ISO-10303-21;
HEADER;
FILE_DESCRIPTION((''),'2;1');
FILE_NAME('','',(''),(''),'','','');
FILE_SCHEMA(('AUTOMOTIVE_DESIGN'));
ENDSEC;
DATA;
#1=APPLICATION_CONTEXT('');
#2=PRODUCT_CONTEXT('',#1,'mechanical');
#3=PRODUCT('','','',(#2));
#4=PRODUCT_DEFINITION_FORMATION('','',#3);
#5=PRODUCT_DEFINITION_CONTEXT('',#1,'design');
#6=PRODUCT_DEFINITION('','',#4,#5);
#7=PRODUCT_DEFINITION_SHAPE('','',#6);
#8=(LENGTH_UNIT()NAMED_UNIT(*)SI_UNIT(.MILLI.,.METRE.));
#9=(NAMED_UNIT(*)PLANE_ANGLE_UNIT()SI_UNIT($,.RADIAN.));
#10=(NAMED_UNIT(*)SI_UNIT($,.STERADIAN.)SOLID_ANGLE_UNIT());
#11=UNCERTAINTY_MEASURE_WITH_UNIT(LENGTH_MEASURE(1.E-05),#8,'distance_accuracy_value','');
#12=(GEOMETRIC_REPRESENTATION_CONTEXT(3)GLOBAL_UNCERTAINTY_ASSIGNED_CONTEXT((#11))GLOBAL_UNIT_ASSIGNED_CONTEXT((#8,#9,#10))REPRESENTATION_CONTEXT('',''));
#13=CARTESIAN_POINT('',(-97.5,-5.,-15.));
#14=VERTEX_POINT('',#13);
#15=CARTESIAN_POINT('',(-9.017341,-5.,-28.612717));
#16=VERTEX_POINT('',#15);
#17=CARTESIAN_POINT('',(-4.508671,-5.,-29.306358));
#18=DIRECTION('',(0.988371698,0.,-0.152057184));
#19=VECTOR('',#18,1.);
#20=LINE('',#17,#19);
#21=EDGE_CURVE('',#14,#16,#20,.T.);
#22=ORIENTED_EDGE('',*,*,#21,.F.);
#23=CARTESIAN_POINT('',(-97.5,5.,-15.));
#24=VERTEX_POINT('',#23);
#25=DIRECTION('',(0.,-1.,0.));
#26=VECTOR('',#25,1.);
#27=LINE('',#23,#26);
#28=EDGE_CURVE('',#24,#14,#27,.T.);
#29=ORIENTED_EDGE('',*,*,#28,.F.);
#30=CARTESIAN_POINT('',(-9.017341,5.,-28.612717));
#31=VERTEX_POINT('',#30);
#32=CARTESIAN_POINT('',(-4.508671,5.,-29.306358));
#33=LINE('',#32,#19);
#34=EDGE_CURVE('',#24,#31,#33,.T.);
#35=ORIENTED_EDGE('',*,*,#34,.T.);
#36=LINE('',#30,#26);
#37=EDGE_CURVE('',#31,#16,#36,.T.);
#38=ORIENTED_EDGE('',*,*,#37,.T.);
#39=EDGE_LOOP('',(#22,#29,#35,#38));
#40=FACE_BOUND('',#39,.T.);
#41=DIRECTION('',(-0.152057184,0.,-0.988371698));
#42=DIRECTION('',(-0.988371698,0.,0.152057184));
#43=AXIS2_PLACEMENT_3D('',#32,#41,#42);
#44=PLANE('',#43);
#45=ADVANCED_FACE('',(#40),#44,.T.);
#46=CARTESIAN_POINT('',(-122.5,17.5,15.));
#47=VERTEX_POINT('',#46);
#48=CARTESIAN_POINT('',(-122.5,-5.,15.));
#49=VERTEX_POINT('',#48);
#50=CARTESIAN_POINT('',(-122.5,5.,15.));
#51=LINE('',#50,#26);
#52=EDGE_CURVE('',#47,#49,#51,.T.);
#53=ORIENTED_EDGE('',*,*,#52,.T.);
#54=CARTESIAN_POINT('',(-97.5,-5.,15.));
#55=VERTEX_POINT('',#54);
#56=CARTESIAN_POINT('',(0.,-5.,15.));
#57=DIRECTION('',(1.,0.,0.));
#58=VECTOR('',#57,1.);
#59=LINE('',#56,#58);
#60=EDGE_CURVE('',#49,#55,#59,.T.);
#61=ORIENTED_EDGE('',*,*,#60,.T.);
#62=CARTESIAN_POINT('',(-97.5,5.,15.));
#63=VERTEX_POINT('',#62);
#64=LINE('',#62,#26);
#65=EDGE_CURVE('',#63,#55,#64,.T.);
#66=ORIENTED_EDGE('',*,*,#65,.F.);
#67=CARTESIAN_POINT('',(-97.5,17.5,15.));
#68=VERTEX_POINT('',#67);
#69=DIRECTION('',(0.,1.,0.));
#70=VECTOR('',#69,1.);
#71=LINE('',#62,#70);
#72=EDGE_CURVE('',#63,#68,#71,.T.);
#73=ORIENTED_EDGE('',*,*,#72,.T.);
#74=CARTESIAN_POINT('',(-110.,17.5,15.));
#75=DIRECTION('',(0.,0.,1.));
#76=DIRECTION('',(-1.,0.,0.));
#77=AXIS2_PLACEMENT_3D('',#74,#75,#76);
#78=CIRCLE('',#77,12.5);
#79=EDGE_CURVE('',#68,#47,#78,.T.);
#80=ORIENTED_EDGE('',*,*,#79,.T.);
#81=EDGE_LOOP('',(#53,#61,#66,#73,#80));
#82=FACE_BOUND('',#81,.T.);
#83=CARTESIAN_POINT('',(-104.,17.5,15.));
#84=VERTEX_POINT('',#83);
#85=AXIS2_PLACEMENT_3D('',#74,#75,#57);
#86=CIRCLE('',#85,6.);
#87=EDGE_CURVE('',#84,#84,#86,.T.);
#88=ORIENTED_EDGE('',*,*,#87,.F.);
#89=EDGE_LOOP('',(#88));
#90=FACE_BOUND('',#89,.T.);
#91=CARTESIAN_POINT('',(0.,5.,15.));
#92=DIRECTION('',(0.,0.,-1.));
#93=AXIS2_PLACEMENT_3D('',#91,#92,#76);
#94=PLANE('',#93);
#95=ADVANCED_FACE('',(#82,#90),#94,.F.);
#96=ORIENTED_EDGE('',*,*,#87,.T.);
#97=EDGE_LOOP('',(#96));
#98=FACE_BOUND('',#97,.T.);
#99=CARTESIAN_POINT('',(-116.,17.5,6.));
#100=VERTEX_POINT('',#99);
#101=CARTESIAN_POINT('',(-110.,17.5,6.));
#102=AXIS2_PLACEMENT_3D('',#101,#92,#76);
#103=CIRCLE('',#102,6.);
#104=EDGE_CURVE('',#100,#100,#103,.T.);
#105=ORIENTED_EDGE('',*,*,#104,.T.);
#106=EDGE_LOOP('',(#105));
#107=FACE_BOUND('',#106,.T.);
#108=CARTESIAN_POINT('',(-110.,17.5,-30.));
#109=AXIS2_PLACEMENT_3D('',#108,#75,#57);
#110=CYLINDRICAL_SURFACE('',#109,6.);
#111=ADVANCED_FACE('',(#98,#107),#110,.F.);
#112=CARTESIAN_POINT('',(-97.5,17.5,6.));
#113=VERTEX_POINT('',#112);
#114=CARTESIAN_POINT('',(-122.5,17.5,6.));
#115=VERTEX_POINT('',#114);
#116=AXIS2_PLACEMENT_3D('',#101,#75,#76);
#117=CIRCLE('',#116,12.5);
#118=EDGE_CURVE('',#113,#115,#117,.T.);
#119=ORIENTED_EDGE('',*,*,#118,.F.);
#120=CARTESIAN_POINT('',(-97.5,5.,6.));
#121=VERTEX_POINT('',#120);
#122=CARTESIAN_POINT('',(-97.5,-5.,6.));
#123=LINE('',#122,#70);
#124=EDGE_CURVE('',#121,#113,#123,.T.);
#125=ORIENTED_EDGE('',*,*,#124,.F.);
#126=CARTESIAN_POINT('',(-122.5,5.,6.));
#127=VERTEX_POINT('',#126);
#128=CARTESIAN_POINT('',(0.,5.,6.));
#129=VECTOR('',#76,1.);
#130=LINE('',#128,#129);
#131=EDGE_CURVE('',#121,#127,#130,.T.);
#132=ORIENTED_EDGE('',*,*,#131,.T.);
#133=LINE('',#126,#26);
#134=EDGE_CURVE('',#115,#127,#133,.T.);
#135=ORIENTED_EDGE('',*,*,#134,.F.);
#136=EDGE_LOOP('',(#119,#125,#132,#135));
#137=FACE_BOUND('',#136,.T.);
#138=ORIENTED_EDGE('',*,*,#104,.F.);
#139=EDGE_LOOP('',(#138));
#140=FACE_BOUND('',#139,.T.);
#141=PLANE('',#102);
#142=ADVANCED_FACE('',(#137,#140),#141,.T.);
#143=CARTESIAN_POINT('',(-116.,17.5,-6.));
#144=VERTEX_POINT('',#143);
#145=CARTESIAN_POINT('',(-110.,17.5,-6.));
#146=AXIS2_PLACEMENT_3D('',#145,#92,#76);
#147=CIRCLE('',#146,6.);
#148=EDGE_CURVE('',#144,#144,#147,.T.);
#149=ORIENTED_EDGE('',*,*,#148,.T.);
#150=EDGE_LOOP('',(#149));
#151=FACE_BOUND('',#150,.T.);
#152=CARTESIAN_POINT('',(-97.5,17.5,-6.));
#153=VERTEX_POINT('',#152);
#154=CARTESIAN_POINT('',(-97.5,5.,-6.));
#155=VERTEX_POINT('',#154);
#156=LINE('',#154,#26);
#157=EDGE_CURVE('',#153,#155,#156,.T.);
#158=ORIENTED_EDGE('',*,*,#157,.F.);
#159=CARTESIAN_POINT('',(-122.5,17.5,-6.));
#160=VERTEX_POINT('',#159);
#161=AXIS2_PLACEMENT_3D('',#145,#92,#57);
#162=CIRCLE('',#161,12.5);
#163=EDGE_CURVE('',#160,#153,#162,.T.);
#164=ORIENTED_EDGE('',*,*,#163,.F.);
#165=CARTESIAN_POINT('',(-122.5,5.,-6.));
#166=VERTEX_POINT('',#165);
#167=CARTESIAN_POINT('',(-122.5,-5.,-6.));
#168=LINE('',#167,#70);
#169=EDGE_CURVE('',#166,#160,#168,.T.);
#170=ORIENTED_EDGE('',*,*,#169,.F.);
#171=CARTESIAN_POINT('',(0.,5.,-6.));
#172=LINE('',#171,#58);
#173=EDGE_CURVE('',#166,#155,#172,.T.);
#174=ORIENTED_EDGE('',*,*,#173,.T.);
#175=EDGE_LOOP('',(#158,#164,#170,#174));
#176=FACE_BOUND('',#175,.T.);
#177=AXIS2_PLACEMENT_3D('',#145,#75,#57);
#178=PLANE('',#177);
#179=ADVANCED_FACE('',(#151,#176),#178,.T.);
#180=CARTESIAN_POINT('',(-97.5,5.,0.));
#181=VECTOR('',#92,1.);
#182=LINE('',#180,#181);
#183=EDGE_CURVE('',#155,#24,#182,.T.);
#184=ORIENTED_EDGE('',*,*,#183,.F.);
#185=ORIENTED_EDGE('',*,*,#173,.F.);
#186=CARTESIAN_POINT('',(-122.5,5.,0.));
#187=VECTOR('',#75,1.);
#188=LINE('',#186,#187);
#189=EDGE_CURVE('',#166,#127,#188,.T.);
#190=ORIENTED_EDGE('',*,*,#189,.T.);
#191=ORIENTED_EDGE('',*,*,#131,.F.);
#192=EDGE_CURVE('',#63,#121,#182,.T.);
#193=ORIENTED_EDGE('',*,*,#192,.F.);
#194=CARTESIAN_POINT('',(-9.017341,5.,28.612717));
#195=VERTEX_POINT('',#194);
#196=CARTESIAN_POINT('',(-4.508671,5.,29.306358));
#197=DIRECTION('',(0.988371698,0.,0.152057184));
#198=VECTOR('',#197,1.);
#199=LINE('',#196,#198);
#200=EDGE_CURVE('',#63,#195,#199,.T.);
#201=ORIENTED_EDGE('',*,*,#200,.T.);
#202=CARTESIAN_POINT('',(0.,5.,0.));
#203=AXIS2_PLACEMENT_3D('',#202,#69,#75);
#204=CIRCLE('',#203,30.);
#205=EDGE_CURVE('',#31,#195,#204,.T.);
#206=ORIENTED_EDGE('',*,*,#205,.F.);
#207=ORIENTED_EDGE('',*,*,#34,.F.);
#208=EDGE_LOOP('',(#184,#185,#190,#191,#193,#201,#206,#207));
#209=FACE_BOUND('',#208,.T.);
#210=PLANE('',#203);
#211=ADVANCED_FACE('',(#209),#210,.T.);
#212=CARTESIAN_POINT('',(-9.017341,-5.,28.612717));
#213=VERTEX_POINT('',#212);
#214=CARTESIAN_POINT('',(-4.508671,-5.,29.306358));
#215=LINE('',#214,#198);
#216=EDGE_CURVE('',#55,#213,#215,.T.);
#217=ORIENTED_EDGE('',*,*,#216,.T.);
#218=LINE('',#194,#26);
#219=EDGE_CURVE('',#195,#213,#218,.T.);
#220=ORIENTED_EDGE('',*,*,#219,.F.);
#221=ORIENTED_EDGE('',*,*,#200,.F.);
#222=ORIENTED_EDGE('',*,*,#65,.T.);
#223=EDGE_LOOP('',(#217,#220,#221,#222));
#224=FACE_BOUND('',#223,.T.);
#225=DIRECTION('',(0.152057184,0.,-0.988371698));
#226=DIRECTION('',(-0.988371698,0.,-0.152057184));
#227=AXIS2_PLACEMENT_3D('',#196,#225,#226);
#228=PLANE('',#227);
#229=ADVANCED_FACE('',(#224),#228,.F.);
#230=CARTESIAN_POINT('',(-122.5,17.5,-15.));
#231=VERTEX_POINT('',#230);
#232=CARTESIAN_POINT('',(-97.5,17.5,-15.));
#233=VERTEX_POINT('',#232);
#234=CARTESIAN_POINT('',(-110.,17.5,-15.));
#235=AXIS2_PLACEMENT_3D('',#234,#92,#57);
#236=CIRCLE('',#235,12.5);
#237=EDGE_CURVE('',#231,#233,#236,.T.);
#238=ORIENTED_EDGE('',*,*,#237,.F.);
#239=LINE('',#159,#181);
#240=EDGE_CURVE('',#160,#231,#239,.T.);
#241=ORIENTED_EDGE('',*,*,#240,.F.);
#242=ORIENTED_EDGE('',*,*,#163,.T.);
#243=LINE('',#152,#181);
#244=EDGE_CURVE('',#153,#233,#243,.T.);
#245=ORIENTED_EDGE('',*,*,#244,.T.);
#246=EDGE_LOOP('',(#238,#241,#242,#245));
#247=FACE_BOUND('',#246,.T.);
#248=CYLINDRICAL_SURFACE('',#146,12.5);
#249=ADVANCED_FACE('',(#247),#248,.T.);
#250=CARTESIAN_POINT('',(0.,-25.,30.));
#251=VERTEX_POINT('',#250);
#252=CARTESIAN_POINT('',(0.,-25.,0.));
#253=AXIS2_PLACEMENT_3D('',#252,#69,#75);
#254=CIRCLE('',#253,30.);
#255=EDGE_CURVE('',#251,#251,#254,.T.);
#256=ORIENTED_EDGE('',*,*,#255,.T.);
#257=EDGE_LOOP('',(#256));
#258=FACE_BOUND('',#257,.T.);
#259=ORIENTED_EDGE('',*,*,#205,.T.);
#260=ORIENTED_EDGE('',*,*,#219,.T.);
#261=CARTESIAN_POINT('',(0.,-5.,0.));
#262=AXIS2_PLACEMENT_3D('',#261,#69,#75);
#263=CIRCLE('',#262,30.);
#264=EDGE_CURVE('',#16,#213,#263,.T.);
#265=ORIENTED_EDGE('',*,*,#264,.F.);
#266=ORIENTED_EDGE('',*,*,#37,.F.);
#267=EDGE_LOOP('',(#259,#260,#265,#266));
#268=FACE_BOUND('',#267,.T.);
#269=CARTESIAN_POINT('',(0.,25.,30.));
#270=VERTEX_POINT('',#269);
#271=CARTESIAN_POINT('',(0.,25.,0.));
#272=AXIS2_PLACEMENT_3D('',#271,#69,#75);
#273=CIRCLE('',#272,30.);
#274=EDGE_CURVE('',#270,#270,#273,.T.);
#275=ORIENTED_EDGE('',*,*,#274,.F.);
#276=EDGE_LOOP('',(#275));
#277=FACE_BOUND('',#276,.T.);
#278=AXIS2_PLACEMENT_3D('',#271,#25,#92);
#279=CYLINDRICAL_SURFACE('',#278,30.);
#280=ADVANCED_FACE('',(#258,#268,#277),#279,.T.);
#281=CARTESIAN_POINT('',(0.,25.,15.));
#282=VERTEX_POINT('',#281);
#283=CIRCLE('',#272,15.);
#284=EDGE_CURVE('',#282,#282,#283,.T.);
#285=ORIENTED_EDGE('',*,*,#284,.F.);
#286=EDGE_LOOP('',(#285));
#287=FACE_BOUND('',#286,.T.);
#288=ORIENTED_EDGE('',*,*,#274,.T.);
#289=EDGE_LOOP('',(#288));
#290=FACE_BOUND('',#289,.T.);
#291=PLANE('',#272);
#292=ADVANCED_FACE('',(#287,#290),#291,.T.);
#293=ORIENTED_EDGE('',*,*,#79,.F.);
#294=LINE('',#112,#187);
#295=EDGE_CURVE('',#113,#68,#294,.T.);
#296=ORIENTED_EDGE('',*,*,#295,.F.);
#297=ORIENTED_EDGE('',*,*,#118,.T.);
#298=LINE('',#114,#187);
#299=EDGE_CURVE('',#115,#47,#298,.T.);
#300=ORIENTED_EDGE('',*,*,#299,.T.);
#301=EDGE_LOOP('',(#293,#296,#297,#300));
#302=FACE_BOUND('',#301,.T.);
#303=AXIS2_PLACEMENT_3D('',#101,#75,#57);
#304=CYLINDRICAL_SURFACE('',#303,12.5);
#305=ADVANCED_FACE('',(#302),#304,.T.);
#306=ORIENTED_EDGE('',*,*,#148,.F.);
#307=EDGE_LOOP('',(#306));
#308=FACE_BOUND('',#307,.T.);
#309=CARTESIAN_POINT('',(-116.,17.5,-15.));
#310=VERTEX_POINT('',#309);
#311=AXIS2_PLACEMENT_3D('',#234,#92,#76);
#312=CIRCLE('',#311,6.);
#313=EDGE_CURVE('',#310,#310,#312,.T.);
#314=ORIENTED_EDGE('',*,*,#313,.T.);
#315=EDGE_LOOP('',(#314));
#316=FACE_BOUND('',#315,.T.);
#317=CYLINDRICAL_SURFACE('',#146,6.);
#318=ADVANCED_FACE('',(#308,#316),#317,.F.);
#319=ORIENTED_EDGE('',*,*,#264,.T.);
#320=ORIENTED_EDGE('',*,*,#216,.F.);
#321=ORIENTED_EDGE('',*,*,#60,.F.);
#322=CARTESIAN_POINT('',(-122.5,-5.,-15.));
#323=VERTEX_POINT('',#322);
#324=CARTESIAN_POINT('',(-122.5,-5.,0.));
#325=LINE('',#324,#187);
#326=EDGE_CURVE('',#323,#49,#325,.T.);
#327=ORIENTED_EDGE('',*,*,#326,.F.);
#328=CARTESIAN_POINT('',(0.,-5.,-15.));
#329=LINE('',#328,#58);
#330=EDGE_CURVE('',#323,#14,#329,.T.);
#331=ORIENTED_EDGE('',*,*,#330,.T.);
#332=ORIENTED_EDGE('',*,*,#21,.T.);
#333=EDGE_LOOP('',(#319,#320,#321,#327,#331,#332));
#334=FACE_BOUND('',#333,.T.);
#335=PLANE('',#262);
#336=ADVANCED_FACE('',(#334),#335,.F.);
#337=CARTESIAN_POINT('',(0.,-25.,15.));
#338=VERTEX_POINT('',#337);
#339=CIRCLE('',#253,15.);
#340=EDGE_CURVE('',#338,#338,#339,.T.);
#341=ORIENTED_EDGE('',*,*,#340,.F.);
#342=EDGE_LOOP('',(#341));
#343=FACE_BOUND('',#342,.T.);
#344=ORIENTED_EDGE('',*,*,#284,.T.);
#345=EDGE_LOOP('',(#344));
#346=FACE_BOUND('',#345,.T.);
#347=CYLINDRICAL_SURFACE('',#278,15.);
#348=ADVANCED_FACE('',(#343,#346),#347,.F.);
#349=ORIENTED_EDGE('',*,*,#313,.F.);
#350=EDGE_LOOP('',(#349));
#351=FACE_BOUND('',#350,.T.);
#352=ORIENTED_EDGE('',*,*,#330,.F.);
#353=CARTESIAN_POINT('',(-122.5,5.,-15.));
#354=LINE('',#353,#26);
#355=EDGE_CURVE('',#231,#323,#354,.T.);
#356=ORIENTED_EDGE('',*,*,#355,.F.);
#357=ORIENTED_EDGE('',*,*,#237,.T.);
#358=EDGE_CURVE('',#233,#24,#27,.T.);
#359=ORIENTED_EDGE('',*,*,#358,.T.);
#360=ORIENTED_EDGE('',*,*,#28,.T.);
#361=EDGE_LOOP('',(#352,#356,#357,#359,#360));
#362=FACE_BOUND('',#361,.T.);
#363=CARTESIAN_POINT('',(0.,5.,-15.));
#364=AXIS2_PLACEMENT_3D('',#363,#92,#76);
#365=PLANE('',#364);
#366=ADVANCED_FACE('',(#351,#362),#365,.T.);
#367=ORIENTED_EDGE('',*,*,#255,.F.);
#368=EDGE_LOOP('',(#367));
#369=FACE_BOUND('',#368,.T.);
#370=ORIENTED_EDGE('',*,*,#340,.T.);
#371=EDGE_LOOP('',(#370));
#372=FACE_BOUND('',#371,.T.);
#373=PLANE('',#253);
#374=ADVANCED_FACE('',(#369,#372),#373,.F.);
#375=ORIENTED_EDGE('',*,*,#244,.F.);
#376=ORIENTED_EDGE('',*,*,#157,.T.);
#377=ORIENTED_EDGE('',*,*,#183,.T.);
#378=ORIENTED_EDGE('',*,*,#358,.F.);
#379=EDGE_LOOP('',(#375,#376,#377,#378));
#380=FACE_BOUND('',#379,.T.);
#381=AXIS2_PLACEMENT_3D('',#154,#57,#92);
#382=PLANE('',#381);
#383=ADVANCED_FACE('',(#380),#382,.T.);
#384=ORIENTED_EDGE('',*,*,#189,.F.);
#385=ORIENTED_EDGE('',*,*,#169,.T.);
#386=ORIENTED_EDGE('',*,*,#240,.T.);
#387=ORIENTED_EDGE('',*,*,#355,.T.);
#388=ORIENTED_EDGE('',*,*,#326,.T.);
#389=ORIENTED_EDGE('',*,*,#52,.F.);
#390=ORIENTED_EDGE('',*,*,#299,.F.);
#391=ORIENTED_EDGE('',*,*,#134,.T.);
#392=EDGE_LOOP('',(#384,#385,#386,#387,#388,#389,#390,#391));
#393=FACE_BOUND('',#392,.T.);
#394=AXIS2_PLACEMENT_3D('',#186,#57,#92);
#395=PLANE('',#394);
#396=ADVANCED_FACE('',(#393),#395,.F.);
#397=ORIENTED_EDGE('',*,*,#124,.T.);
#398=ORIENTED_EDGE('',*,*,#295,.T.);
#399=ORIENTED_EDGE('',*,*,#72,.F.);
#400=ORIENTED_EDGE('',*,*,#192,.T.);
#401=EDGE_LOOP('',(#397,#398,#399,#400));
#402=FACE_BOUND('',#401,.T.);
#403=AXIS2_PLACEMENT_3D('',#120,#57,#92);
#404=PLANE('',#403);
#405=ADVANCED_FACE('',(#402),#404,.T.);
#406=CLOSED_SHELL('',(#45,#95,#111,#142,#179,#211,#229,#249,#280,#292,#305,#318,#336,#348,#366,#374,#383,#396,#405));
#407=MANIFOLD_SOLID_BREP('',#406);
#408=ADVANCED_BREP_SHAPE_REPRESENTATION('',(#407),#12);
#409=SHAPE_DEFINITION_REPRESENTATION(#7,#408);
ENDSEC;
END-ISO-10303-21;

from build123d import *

# Parameters (mm, degrees)
SKETCH1_R           = 30
SKETCH1_R_2         = 15
BOSS_EXTRUDE2_DEPTH = 25
BOSS_EXTRUDE3_DEPTH = 5
BOSS_EXTRUDE5_DEPTH = 9
SKETCH6_R           = 6
BOSS_EXTRUDE6_DEPTH = 9
SKETCH7_R           = 6
CUT_EXTRUDE2_DEPTH  = 46


with BuildPart() as part:
    # Sketch1 → Boss-Extrude2 (new body, symmetric)
    with BuildSketch(Plane(origin=(0, 0, 0), x_dir=(1, 0, 0), z_dir=(0, 1, 0))):
        with Locations(Location((0, 0, 0), (0, 0, 270))):  # turned: the seam where the file's is
            Circle(SKETCH1_R)
        with Locations(Location((0, 0, 0), (0, 0, 270))):  # turned: the seam where the file's is
            Circle(SKETCH1_R_2, mode=Mode.SUBTRACT)
    extrude(amount=BOSS_EXTRUDE2_DEPTH, both=True)

    # Sketch3 → Boss-Extrude3 (add, symmetric)
    with BuildSketch(Plane(origin=(0, 0, 0), x_dir=(1, 0, 0), z_dir=(0, 1, 0))):
        with BuildLine():
            Line((-97.5, 15), (-122.5, 15))
            Line((-122.5, 15), (-122.5, -15))
            Line((-122.5, -15), (-97.5, -15))
            Line((-97.5, -15), (-9.01734104, -28.612716763))
            ThreePointArc((-9.01734104, -28.612716763), (-30, 0), (-9.01734104, 28.612716763))
            Line((-9.01734104, 28.612716763), (-97.5, 15))
        make_face()
    extrude(amount=BOSS_EXTRUDE3_DEPTH, both=True)

    # Sketch4 → Boss-Extrude5 (add)
    with BuildSketch(Plane.XY.offset(15)):
        with BuildLine():
            Line((-122.5, 5), (-122.5, 17.5))
            ThreePointArc((-122.5, 17.5), (-110, 30), (-97.5, 17.5))
            Line((-97.5, 17.5), (-97.5, 5))
            Line((-97.5, 5), (-97.5, -5))
            Line((-97.5, -5), (-122.5, -5))
            Line((-122.5, -5), (-122.5, 5))
        make_face()
    extrude(amount=-BOSS_EXTRUDE5_DEPTH)

    # Sketch6 → Boss-Extrude6 (add)
    with BuildSketch(Plane(origin=(0, 0, -15), x_dir=(-1, 0, 0), z_dir=(0, 0, -1))):
        with BuildLine():
            Line((97.5, 5), (97.5, 17.5))
            ThreePointArc((97.5, 17.5), (110, 30), (122.5, 17.5))
            Line((122.5, 17.5), (122.5, 5))
            Line((122.5, 5), (122.5, -5))
            Line((122.5, -5), (97.5, -5))
            Line((97.5, -5), (97.5, 5))
        make_face()
        with Locations((110, 17.5)):
            Circle(SKETCH6_R, mode=Mode.SUBTRACT)
    extrude(amount=-BOSS_EXTRUDE6_DEPTH)

    # Sketch7 → Cut-Extrude2 (cut, through all)
    with BuildSketch(Plane.XY.offset(15)):
        with Locations(Location((-110, 17.5, 0), (0, 0, 180))):  # turned: the seam where the file's is
            Circle(SKETCH7_R)
    extrude(amount=-CUT_EXTRUDE2_DEPTH, mode=Mode.SUBTRACT)


solid = part.part
